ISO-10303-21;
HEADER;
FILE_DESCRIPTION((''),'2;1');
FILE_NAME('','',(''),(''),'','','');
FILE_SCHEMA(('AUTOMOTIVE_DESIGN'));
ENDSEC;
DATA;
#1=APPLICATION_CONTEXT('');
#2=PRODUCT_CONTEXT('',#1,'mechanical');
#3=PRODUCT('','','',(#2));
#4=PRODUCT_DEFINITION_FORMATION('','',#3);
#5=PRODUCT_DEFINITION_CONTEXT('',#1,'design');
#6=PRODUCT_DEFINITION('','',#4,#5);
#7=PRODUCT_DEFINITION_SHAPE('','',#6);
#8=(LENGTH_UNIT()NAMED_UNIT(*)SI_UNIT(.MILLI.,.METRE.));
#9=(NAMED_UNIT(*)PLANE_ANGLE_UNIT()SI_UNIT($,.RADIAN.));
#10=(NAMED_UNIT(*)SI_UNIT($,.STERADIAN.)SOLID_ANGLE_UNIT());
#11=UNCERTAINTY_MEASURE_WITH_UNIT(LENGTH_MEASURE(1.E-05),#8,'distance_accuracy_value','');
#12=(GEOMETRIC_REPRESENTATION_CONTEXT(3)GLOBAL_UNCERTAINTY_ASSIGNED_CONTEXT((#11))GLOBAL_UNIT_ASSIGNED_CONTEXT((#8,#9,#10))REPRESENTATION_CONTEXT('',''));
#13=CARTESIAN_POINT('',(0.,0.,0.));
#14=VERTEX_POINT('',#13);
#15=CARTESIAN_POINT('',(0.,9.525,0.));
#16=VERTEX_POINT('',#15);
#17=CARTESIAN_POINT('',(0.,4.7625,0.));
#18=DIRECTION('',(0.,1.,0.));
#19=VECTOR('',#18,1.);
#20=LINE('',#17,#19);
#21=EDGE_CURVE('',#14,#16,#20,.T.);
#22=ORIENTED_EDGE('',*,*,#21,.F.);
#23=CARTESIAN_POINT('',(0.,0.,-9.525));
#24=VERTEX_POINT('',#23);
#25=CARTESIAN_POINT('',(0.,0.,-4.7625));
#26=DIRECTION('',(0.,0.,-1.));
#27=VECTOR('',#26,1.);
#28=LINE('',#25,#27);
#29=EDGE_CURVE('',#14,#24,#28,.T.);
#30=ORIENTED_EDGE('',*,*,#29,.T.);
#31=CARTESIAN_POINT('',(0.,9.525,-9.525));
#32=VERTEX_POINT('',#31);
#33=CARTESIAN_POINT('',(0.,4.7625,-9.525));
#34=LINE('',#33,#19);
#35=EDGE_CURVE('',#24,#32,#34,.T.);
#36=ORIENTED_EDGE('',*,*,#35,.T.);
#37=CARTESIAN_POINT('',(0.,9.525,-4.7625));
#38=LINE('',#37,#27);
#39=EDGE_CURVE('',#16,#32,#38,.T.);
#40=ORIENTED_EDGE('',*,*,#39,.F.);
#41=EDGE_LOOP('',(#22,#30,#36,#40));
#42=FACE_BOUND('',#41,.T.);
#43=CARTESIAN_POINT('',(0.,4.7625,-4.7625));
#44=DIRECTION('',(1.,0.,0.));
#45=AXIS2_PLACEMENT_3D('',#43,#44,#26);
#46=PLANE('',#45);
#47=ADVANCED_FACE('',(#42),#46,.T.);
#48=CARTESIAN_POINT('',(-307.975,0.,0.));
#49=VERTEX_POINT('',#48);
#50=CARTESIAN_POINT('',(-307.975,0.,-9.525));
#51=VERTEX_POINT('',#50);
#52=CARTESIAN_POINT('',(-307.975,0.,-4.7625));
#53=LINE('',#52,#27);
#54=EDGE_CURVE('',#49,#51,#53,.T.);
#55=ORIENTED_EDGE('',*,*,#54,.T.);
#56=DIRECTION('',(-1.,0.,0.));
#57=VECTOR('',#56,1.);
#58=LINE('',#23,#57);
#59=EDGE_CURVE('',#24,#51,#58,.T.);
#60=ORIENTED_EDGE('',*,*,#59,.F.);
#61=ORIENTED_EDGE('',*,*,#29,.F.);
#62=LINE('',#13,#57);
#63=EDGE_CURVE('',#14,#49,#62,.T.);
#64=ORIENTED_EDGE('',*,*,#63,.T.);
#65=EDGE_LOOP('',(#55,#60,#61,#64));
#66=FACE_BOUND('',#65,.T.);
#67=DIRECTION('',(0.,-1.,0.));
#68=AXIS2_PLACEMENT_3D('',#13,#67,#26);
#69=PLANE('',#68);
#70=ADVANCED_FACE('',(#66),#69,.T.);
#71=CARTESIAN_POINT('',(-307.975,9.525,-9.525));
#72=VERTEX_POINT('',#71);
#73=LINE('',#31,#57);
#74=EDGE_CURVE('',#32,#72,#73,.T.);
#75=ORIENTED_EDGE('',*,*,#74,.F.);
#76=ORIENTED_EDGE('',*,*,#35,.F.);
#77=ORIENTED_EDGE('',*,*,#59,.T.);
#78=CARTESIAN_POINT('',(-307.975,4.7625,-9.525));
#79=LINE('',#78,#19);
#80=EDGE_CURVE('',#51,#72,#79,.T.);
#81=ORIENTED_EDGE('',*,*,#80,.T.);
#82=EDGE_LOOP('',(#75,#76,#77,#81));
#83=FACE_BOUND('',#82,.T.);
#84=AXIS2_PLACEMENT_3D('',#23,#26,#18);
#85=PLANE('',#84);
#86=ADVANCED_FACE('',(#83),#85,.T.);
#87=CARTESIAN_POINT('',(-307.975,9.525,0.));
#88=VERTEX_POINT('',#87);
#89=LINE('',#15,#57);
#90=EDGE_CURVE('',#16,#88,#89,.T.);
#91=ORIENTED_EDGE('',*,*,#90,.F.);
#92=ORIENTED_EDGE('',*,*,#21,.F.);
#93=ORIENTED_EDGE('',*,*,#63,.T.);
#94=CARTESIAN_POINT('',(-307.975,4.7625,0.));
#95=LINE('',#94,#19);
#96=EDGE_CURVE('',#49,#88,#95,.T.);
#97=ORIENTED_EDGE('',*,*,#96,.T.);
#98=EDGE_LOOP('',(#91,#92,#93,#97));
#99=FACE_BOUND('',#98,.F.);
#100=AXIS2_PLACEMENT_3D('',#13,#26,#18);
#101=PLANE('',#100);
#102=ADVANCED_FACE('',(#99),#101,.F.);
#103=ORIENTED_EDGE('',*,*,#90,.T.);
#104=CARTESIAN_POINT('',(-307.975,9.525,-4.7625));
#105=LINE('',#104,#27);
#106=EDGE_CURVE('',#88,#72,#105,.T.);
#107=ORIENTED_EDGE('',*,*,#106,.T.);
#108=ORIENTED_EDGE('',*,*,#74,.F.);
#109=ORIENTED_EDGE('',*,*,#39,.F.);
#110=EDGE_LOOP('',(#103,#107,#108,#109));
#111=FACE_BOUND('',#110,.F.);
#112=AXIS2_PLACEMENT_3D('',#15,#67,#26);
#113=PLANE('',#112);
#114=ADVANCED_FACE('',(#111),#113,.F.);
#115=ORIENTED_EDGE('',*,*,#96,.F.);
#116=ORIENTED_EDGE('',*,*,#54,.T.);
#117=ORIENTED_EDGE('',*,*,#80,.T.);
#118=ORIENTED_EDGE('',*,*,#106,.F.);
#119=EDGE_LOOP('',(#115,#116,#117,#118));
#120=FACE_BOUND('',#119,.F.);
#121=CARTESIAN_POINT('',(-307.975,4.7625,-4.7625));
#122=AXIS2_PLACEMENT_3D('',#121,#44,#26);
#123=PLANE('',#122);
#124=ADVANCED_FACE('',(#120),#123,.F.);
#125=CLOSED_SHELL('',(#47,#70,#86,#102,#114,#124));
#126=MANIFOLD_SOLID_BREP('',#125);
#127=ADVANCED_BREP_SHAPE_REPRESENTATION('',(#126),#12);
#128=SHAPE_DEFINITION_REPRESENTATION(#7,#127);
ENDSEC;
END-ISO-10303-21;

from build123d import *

# Parameters (mm, degrees)
SKETCH1_W           = 9.525
SKETCH1_H           = 9.525
BOSS_EXTRUDE1_DEPTH = 307.975


with BuildPart() as part:
    # Sketch1 → Boss-Extrude1 (new body)
    with BuildSketch(Plane(origin=(0, 0, 0), x_dir=(0, 0, -1), z_dir=(1, 0, 0))):
        with Locations((4.7625, 4.7625)):
            Rectangle(SKETCH1_W, SKETCH1_H)
    extrude(amount=-BOSS_EXTRUDE1_DEPTH)


solid = part.part
